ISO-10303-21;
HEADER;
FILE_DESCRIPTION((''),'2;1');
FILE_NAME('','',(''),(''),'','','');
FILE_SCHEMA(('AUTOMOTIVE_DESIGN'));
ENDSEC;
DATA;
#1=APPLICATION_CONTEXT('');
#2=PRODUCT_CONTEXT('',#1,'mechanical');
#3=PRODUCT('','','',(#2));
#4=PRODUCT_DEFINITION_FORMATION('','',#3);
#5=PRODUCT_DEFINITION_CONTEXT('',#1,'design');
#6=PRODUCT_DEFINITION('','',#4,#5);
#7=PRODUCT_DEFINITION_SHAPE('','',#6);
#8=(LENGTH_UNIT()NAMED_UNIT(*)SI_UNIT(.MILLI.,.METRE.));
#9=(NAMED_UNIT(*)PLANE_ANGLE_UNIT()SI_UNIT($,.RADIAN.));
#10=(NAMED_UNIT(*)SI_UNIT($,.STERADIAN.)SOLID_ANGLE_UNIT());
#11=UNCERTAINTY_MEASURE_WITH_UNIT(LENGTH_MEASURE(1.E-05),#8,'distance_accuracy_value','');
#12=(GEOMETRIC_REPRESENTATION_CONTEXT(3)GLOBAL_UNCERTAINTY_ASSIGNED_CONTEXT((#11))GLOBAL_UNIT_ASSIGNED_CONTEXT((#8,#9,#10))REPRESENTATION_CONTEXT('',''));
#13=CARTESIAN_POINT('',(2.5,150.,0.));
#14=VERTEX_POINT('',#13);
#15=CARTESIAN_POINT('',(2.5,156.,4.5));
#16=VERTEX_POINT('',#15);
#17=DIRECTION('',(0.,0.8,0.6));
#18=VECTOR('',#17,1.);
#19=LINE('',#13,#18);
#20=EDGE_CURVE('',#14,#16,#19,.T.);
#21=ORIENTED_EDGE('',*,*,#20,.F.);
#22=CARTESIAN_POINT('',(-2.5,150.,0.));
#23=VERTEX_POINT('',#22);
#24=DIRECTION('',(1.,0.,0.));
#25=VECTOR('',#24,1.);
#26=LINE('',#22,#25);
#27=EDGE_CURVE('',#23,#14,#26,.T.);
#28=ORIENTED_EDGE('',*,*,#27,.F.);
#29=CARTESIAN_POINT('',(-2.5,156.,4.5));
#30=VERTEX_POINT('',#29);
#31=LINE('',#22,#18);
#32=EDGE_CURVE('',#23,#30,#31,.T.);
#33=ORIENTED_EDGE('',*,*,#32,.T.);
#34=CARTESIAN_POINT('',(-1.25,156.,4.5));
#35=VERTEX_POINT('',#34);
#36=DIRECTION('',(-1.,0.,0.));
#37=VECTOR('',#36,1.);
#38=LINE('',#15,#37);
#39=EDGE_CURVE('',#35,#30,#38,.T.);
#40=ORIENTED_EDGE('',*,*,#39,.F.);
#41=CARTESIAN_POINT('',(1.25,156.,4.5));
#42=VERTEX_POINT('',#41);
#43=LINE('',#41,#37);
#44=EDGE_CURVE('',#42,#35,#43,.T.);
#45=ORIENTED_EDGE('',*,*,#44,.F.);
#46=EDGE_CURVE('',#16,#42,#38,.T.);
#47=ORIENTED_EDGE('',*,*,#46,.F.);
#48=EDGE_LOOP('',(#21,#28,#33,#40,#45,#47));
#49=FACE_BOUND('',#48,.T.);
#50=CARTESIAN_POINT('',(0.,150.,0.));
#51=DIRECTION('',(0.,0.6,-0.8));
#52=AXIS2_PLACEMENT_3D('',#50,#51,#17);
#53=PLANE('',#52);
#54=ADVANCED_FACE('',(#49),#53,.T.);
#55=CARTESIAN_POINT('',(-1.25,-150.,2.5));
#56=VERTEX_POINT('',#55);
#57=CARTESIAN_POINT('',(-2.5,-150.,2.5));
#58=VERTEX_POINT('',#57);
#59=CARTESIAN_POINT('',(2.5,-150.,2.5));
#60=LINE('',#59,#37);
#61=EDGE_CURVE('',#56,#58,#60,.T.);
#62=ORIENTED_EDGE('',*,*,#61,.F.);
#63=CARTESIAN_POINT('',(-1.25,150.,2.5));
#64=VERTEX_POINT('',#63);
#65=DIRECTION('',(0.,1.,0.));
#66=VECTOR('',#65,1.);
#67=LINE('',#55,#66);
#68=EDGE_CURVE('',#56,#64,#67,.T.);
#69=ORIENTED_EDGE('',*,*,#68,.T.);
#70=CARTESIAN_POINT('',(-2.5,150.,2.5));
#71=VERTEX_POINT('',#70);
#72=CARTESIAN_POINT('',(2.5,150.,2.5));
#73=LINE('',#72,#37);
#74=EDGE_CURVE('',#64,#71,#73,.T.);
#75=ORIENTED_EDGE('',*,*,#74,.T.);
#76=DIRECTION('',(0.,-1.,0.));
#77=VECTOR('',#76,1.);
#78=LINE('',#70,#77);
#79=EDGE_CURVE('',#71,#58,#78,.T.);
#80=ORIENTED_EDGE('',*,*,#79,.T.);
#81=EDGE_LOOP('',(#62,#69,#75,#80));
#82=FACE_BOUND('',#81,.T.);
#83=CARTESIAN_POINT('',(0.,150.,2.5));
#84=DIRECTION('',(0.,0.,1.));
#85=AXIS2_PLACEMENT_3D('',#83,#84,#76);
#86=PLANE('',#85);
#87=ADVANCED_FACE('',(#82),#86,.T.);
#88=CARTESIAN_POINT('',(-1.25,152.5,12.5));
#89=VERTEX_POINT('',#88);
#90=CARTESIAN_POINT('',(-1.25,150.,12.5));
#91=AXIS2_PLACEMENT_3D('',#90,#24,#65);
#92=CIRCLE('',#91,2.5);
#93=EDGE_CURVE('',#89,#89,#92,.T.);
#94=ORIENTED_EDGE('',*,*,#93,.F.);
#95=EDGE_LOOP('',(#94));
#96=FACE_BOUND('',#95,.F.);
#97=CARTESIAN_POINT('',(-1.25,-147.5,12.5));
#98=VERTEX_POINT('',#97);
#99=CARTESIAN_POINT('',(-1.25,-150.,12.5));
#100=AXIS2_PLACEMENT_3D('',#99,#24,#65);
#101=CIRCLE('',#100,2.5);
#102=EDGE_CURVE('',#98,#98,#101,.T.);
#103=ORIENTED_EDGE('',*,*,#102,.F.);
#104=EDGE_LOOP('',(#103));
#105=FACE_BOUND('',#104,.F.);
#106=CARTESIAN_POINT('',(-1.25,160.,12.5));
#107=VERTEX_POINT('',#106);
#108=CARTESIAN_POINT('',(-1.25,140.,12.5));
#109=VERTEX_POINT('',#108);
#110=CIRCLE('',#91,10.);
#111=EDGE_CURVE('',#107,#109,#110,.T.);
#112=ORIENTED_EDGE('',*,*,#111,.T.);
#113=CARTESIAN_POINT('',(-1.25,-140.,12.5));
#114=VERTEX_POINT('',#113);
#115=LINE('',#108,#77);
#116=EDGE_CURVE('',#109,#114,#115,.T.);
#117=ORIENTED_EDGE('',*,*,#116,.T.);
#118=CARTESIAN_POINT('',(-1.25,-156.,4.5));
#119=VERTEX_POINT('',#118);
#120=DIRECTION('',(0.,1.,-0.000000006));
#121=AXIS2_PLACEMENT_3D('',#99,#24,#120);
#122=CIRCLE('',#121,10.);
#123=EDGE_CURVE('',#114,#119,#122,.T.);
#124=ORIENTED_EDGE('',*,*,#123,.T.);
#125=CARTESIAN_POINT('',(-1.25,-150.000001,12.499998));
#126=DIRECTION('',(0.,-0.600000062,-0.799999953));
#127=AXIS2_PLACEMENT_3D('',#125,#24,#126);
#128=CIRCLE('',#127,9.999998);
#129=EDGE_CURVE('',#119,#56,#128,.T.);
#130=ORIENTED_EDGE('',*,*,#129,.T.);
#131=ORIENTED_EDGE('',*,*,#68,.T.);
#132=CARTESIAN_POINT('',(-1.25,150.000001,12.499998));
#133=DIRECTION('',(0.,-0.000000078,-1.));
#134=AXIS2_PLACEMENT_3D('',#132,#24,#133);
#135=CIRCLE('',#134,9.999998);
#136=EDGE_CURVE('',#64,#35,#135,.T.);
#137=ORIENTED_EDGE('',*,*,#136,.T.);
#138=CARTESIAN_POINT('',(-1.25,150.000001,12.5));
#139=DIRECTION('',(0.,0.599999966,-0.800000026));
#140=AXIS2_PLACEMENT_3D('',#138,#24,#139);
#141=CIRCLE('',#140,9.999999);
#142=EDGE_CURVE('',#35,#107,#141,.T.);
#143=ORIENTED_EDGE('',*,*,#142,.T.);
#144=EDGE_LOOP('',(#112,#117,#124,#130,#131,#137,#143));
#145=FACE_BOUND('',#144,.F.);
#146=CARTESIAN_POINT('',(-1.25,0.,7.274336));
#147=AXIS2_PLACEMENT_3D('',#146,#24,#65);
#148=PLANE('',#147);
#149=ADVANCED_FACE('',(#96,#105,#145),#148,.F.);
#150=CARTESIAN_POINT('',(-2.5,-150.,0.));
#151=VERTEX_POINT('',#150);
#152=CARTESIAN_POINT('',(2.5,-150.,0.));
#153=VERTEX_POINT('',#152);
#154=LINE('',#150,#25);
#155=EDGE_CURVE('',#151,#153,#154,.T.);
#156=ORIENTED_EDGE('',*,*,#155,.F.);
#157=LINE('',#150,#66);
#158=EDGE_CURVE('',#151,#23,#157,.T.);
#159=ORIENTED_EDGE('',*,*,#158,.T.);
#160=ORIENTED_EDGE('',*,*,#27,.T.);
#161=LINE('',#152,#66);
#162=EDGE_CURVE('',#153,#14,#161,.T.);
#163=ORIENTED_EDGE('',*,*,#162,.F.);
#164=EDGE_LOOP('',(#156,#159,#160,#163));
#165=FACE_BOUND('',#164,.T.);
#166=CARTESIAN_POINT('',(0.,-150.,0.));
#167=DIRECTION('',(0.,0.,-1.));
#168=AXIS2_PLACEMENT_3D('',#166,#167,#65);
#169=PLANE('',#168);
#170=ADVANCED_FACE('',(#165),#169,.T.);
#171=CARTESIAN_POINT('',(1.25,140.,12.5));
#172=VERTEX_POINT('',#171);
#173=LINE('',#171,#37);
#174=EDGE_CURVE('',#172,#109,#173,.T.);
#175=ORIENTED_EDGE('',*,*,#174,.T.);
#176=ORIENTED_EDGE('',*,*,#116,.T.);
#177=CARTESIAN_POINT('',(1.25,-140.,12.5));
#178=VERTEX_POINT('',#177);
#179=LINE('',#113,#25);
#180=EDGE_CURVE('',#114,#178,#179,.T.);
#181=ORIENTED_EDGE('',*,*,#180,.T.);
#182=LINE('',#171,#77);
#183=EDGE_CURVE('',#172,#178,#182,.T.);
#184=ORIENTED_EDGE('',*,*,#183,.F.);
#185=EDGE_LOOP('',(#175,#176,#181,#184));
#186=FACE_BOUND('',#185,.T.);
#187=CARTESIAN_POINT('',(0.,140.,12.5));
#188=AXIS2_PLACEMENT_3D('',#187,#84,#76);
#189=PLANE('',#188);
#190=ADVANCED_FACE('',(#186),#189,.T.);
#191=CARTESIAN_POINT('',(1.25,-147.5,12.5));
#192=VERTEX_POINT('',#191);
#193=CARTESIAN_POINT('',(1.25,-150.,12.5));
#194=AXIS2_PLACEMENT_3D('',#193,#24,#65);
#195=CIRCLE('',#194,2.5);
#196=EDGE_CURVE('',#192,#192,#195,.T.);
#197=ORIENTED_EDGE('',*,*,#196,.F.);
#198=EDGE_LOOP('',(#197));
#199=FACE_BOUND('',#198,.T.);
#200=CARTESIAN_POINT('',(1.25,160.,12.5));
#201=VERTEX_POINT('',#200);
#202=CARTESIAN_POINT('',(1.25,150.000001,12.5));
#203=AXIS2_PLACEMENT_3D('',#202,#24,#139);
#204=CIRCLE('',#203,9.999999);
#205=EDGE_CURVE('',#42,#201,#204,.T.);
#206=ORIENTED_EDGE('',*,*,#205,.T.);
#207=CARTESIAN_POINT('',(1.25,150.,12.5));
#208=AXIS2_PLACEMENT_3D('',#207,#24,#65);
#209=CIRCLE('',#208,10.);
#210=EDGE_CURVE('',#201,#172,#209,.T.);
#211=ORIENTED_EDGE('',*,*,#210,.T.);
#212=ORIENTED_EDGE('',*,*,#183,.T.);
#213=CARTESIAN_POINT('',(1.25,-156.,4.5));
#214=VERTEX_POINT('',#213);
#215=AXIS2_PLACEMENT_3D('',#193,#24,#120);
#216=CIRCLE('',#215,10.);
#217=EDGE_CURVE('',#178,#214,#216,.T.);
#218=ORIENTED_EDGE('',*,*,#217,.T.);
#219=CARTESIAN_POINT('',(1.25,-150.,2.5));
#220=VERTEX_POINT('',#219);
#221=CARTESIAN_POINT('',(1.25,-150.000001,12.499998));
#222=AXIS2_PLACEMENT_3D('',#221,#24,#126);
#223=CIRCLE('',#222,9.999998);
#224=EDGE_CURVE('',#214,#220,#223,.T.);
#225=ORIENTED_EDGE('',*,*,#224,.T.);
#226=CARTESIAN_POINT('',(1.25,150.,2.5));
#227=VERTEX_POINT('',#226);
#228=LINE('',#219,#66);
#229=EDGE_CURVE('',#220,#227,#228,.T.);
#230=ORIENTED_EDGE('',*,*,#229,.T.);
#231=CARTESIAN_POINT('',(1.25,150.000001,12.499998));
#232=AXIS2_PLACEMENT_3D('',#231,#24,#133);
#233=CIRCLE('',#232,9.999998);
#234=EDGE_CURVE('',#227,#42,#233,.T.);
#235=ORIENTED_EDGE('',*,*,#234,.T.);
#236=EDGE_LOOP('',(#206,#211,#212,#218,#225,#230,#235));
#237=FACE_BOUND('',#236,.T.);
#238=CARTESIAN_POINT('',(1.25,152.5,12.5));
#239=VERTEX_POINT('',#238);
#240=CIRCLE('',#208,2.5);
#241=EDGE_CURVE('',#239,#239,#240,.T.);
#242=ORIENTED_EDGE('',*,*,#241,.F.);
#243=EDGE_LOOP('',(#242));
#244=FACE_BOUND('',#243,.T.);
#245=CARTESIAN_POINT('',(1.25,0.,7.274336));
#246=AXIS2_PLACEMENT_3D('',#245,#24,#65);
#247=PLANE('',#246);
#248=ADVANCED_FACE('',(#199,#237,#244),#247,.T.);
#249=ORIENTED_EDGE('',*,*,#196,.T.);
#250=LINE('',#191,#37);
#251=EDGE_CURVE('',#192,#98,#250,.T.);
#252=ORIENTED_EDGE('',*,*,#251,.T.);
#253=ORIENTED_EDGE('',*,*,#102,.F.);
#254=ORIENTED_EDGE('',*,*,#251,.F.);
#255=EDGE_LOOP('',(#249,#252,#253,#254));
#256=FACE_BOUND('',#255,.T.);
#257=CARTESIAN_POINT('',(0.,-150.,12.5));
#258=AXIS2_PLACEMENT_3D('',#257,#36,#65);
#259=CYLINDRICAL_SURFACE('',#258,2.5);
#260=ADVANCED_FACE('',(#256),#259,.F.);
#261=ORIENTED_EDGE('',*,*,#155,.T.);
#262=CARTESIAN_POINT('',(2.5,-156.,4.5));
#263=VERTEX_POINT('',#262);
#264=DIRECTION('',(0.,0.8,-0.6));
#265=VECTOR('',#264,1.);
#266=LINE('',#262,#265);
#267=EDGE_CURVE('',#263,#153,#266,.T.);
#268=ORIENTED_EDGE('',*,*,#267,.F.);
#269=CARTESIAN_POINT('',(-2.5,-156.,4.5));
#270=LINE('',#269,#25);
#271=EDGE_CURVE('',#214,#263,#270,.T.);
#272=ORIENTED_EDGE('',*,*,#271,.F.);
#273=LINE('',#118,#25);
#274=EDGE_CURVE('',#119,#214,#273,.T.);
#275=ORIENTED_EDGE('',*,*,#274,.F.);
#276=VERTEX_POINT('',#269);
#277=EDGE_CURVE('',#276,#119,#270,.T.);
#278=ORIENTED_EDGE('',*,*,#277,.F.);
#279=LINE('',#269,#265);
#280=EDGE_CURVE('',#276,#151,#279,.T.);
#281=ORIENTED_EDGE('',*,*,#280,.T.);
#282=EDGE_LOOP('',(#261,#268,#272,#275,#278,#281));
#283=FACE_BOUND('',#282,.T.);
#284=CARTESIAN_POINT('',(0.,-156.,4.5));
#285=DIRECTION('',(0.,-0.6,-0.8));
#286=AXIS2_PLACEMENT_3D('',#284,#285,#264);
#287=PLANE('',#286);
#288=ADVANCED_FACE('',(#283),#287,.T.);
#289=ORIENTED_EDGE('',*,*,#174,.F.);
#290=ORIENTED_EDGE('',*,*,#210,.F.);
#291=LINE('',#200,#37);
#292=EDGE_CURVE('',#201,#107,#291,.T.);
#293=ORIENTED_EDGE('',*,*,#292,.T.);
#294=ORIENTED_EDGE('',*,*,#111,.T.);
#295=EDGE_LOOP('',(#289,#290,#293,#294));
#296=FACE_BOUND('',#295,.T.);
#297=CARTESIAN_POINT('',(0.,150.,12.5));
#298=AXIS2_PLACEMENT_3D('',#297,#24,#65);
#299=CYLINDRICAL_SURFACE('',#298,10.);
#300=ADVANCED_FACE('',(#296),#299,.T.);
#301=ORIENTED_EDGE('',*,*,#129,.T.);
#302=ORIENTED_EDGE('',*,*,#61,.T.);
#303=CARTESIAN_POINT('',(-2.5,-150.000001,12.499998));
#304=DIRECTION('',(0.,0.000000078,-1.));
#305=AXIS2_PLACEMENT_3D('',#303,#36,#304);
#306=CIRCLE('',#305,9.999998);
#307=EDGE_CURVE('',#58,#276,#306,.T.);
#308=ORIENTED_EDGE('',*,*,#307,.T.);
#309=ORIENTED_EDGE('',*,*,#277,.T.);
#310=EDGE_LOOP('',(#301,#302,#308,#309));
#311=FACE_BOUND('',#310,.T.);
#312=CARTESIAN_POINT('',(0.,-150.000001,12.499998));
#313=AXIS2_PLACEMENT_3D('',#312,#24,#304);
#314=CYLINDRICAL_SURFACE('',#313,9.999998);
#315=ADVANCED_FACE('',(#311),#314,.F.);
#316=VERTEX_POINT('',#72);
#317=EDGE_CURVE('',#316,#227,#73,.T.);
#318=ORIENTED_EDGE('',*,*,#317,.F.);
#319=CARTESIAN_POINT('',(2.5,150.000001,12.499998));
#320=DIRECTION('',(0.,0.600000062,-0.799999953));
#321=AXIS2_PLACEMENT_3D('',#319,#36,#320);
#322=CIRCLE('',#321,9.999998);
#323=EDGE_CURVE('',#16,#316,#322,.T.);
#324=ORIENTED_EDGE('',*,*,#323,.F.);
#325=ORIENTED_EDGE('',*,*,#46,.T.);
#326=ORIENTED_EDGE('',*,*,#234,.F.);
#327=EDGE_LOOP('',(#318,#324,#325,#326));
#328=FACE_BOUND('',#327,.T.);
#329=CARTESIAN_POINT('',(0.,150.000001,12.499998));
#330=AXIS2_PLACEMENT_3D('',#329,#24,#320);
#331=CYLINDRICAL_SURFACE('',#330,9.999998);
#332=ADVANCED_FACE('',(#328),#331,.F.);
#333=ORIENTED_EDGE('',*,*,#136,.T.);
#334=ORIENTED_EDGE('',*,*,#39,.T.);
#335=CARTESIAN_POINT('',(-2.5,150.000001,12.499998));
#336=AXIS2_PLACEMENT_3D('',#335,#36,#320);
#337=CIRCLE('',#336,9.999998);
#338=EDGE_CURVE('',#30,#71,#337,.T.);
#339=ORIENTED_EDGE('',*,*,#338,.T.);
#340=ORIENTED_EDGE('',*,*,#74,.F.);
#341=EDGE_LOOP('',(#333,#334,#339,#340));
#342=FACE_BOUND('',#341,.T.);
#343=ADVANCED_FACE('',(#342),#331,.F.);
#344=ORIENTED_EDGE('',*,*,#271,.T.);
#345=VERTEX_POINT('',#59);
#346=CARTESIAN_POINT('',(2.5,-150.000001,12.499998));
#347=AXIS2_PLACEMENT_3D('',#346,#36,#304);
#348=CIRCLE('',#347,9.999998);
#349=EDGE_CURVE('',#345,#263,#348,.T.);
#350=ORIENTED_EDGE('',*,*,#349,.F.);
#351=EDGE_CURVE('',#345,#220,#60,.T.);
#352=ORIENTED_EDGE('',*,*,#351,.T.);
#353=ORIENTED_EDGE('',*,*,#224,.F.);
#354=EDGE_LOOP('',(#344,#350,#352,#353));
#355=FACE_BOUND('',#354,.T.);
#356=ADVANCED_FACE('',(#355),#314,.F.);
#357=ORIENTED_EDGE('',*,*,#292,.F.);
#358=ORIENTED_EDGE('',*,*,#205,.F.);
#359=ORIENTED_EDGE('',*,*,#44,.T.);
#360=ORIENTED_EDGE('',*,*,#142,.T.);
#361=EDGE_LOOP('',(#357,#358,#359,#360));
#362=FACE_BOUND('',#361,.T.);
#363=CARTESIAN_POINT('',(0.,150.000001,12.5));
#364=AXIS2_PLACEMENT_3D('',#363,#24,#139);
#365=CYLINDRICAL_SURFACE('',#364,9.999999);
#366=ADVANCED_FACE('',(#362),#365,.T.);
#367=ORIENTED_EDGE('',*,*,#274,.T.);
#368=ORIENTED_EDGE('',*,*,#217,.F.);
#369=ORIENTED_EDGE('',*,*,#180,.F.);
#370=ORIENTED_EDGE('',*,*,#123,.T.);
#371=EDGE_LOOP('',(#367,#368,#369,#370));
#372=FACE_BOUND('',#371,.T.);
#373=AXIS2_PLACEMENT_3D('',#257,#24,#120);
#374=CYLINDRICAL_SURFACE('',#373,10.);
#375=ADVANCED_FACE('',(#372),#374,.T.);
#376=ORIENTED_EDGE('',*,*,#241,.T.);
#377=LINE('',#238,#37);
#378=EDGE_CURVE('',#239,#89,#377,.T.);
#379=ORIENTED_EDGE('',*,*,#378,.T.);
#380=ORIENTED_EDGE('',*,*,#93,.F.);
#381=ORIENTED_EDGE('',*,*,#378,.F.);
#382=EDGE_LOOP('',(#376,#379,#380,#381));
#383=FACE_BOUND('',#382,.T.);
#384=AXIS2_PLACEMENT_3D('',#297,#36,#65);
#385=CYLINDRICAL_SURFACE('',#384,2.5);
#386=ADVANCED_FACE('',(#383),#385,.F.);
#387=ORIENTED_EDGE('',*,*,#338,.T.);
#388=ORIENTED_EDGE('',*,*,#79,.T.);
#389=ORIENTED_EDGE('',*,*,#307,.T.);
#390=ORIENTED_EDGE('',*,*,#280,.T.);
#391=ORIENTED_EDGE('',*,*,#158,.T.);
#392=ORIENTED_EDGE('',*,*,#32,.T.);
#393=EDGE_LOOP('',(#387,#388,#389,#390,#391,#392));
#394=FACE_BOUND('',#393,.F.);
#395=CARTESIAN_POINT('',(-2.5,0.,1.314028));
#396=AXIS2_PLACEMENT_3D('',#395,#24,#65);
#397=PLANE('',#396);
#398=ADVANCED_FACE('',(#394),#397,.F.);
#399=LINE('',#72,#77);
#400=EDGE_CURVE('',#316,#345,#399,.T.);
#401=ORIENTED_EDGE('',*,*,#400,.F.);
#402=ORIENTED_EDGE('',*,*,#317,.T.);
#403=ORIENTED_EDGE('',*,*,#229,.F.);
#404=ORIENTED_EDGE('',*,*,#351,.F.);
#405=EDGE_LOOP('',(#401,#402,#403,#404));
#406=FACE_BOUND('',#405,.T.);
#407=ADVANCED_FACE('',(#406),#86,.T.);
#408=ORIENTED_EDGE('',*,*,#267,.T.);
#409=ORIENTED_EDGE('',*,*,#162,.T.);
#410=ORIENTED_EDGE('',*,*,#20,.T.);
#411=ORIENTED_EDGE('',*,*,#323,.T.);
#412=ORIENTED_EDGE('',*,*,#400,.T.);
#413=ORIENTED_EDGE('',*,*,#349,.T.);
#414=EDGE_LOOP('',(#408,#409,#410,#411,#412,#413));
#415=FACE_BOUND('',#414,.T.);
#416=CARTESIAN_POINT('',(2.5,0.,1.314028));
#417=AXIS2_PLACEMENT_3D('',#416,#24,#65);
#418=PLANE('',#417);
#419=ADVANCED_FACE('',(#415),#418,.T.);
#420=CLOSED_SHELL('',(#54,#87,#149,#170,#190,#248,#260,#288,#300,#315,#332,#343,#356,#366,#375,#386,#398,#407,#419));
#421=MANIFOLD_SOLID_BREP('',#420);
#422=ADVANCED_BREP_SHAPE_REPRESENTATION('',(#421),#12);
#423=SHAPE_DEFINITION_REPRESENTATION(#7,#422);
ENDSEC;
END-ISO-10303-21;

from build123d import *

# Parameters (mm, degrees)
F1_DEPTH = 2.5
F0_R     = 2.5
F2_DEPTH = 1.25


with BuildPart() as f1:
    # F0 (on Right) → F1 (new body, symmetric)
    with BuildSketch(Plane.YZ):
        with BuildLine():
            ThreePointArc((-150, 2.5), (-153.162278, 3.013167), (-156, 4.5))
            Line((-156, 4.5), (-150, 0))
            Line((-150, 0), (150, 0))
            Line((150, 0), (156, 4.5))
            ThreePointArc((156, 4.5), (153.162278, 3.013167), (150, 2.5))
            Line((150, 2.5), (-150, 2.5))
        make_face()
    extrude(amount=F1_DEPTH, both=True)

    # F0 (on Right) → F2 (join, symmetric)
    with BuildSketch(Plane.YZ):
        with BuildLine():
            Line((140, 12.5), (-140, 12.5))
            ThreePointArc((-140, 12.5), (-142.928932, 5.428932), (-150, 2.5))
            Line((-150, 2.5), (150, 2.5))
            ThreePointArc((150, 2.5), (142.928932, 5.428932), (140, 12.5))
        make_face()
        with BuildLine():
            ThreePointArc((-150, 2.5), (-142.928932, 5.428932), (-140, 12.5))
            ThreePointArc((-140, 12.5), (-154.472136, 21.444272), (-156, 4.5))
            ThreePointArc((-156, 4.5), (-153.162278, 3.013167), (-150, 2.5))
        make_face()
        with Locations((-150, 12.5)):
            Circle(F0_R, mode=Mode.SUBTRACT)
        with BuildLine():
            ThreePointArc((160, 12.5), (150, 22.5), (140, 12.5))
            ThreePointArc((140, 12.5), (142.928932, 5.428932), (150, 2.5))
            ThreePointArc((150, 2.5), (153.162278, 3.013167), (156, 4.5))
            ThreePointArc((156, 4.5), (158.944272, 8.027864), (160, 12.5))
        make_face()
        with Locations((150, 12.5)):
            Circle(F0_R, mode=Mode.SUBTRACT)
    extrude(amount=F2_DEPTH, both=True)


solid = f1.part
